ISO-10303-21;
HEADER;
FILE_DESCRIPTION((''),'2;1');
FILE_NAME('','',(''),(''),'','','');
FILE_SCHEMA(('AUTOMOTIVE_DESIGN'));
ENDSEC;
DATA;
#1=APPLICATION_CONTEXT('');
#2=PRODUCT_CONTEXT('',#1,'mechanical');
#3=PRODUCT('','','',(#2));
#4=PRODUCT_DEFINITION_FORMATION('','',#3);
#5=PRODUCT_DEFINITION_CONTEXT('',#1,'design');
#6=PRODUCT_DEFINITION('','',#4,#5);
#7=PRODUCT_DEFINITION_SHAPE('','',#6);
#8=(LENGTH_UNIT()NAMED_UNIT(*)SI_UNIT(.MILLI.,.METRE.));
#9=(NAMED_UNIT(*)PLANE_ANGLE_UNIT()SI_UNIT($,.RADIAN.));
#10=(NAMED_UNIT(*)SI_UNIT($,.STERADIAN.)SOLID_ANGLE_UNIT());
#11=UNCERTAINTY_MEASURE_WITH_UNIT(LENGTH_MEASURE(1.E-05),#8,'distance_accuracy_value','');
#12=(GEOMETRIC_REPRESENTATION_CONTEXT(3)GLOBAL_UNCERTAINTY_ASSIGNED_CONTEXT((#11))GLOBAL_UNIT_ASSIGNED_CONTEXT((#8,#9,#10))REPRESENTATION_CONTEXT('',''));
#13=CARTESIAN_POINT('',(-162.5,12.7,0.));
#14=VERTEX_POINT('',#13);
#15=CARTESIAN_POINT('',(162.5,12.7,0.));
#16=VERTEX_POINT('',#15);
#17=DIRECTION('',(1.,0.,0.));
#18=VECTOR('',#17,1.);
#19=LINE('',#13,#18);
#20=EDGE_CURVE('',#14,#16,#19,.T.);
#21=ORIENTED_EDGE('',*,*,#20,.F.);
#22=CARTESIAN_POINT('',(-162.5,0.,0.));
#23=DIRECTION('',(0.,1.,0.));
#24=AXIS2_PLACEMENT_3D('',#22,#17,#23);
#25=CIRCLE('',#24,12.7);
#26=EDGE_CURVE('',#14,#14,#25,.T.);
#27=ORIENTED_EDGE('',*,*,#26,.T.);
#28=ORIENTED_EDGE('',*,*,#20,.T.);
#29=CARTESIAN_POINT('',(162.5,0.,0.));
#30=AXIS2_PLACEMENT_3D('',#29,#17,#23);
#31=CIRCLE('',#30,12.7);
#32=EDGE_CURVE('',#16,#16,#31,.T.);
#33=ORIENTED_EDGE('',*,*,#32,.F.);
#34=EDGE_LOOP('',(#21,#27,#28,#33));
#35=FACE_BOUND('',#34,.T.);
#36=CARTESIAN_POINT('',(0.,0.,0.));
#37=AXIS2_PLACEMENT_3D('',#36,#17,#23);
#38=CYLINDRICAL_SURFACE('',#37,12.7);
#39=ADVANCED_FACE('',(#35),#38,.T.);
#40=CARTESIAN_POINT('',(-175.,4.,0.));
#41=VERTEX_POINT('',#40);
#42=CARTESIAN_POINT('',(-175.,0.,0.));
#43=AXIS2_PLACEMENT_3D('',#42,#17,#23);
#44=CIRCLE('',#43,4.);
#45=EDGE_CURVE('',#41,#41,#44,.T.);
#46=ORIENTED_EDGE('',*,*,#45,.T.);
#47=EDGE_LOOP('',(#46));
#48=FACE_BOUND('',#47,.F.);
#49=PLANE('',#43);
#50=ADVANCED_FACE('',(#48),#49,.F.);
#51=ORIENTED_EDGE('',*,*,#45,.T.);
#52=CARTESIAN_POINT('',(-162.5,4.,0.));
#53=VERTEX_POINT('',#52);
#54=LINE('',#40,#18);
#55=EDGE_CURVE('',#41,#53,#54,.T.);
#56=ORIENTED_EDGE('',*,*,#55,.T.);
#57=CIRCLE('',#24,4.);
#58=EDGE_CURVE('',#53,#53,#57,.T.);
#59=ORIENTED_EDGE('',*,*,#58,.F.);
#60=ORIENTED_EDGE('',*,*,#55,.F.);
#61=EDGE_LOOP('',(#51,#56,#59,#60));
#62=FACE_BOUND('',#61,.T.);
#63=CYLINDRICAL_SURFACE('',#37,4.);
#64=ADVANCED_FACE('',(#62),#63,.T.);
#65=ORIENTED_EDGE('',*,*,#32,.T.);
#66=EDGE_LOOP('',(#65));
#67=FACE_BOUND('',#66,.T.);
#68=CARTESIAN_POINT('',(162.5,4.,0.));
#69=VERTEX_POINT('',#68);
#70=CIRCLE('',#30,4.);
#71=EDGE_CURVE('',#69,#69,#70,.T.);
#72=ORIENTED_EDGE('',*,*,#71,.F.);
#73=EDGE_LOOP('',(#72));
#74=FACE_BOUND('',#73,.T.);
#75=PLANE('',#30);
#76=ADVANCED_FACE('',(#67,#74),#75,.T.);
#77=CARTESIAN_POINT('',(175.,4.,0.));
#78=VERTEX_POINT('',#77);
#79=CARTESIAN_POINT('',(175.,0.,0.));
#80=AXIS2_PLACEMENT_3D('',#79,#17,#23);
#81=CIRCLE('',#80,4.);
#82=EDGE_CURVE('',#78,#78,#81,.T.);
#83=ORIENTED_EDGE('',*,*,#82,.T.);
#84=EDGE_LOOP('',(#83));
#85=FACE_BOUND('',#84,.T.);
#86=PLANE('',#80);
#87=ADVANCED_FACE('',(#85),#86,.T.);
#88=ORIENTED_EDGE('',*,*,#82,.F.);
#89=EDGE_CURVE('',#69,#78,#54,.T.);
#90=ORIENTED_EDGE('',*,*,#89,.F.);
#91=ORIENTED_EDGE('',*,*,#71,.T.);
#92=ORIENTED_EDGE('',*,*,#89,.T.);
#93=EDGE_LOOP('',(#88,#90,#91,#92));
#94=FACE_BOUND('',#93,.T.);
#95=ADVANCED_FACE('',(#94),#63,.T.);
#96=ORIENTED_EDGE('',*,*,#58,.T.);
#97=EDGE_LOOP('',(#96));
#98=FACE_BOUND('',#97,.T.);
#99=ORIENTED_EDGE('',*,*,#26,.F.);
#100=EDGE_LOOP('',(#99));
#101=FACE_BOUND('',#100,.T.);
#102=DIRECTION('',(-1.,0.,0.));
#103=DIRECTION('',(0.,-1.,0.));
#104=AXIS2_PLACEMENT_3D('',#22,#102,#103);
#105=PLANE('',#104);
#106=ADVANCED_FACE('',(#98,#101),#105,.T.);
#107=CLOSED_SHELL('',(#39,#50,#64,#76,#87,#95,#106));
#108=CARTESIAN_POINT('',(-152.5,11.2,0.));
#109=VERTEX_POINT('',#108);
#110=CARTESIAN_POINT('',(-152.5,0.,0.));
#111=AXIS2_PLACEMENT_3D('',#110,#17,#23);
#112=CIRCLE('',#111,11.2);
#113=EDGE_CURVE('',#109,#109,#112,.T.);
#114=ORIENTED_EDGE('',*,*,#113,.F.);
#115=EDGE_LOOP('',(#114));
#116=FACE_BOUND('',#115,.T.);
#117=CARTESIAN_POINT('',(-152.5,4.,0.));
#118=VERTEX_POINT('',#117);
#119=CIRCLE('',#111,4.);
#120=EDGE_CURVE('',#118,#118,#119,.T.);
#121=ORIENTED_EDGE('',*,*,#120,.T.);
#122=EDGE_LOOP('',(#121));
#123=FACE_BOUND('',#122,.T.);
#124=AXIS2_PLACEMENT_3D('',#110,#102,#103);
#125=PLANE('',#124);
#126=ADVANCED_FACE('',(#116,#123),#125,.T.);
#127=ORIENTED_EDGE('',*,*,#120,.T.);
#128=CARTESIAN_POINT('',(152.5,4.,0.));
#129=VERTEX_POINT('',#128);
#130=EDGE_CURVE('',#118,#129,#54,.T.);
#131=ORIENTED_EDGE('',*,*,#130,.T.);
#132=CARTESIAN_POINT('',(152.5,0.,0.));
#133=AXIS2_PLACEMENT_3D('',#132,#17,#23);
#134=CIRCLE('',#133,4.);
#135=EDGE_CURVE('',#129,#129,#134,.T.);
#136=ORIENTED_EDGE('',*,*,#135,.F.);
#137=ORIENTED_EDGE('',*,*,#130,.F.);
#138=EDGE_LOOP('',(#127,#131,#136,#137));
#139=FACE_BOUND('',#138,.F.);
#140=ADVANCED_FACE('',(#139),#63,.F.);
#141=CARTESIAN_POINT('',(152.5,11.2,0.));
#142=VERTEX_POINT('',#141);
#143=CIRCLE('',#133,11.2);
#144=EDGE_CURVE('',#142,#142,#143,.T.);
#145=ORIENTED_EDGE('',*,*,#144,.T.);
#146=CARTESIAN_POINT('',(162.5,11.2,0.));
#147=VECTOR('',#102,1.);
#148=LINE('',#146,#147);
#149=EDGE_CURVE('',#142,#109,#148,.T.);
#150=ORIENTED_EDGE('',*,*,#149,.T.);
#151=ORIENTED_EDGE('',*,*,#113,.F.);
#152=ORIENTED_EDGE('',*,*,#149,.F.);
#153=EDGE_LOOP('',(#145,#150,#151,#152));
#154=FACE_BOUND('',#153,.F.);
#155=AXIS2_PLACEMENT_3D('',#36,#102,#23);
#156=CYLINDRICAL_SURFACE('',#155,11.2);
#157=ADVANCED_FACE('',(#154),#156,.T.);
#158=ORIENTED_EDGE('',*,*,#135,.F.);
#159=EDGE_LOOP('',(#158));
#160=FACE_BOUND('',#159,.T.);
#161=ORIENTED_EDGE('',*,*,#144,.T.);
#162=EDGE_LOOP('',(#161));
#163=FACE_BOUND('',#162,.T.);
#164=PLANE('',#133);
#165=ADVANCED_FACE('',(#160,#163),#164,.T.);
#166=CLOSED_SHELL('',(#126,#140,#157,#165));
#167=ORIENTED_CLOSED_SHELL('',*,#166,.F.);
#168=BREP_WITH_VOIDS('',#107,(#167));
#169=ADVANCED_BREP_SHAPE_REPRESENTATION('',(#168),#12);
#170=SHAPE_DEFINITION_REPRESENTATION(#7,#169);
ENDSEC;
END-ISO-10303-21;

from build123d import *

# Parameters (mm, degrees)
F0_R     = 12.7
F0_R_2   = 11.2
F1_DEPTH = 162.5
F2_R     = 4
F3_DEPTH = 175
F4_R     = 11.2
F5_DEPTH = 10
F6_R     = 11.2
F7_DEPTH = 10


with BuildPart() as f1:
    # F0 (on Right) → F1 (new body, symmetric)
    with BuildSketch(Plane.YZ):
        Circle(F0_R)
        Circle(F0_R_2, mode=Mode.SUBTRACT)
    extrude(amount=F1_DEPTH, both=True)



with BuildPart() as f3:
    # F2 (on Right) → F3 (new body, symmetric)
    with BuildSketch(Plane.YZ):
        Circle(F2_R)
    extrude(amount=F3_DEPTH, both=True)


with BuildPart() as f1_1:
    add(f1.part)

    add(f3.part)  # F5 merges F3
    # F4 (on face) → F5 (join)
    with BuildSketch(Plane.YZ.offset(162.5)):
        Circle(F4_R)
    extrude(amount=-F5_DEPTH)

    # F6 (on face) → F7 (join)
    with BuildSketch(Plane(origin=(-162.5, 0, 0), x_dir=(0, -1, 0), z_dir=(-1, 0, 0))):
        Circle(F6_R)
    extrude(amount=-F7_DEPTH)


solid = f1_1.part
